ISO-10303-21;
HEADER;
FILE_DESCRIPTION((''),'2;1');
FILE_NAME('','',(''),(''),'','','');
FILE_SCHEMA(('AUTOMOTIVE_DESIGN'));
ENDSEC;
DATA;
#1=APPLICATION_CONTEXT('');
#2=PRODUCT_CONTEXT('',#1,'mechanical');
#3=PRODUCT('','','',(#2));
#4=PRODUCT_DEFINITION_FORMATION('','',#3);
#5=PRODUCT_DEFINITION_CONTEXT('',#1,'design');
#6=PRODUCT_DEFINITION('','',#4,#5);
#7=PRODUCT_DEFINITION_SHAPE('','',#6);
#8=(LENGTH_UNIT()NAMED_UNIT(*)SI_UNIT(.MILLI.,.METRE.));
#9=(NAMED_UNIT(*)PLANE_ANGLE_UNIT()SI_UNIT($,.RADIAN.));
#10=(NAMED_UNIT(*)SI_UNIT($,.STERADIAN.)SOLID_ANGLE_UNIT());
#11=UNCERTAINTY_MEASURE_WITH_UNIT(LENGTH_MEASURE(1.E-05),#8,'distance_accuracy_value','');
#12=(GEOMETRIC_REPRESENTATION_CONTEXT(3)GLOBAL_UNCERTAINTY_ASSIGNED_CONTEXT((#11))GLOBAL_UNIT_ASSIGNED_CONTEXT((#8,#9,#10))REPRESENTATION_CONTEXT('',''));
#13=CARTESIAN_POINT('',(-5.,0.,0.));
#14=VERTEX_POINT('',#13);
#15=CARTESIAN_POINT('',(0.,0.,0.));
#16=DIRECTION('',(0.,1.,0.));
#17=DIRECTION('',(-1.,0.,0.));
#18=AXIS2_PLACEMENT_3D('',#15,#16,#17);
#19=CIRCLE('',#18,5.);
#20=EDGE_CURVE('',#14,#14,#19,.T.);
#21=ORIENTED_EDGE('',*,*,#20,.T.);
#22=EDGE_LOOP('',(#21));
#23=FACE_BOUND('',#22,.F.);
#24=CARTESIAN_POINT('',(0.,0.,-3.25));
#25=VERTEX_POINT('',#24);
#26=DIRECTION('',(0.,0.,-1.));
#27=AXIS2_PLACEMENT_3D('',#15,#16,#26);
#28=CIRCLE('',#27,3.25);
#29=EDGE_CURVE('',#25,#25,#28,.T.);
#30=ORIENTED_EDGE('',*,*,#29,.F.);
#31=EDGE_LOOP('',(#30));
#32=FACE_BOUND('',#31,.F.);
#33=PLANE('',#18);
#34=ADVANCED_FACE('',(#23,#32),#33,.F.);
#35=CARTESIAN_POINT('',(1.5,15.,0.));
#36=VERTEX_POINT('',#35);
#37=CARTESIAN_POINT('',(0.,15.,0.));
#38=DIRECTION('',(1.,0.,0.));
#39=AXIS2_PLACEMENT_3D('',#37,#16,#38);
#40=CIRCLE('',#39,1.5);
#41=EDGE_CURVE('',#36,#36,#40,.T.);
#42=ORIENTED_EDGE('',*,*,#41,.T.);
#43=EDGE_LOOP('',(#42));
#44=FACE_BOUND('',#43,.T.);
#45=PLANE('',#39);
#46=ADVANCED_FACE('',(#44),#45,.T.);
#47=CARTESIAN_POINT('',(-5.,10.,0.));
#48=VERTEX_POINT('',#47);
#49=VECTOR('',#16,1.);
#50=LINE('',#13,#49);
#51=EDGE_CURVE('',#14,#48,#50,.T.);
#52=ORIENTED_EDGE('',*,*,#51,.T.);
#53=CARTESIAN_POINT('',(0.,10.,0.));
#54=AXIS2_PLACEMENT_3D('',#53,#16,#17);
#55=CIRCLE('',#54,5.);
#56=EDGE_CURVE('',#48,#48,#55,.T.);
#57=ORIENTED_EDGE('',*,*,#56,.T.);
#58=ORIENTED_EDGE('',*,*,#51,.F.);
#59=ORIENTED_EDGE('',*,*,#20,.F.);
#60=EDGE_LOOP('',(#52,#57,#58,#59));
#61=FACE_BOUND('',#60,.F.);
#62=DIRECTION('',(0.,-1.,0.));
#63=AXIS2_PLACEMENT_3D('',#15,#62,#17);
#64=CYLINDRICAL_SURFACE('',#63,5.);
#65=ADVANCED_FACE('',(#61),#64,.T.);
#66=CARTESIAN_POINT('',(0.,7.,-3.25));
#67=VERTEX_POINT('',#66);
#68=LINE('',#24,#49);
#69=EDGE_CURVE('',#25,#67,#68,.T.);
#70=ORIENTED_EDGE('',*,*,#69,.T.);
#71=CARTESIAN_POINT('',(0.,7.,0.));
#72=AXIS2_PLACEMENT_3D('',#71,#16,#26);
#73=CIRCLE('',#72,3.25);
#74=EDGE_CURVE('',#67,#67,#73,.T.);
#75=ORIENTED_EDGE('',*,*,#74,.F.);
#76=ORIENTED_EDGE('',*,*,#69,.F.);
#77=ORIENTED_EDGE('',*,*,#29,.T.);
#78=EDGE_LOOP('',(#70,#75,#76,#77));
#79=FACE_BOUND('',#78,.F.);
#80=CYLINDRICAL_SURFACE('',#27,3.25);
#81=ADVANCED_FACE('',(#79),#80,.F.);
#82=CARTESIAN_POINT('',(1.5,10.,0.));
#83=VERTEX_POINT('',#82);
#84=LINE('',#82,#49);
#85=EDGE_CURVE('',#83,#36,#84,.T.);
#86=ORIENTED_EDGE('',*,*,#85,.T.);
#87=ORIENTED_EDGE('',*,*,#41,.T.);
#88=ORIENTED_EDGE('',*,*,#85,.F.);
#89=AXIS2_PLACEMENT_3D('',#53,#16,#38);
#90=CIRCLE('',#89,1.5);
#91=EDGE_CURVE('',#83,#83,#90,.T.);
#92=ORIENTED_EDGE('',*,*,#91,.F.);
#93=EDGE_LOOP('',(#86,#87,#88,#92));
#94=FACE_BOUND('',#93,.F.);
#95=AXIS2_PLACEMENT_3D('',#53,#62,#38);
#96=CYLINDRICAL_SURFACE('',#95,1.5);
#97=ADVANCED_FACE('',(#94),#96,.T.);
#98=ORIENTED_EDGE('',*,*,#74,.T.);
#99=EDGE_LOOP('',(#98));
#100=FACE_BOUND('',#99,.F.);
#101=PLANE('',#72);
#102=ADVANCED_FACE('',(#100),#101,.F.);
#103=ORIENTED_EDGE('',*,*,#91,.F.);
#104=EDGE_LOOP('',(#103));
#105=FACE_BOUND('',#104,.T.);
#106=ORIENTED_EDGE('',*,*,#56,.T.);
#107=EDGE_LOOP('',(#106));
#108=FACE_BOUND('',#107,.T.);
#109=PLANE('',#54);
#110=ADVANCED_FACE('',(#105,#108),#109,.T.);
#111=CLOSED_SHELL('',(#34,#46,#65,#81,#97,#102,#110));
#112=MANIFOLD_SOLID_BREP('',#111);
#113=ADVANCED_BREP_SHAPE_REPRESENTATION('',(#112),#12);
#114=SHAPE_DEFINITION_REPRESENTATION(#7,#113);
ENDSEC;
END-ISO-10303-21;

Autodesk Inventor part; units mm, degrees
ref_plane "YZ Plane" through (0, 0, 0) normal (1, 0, 0) x (0, 1, 0)
ref_plane "XZ Plane" through (0, 0, 0) normal (0, 1, 0) x (-1, 0, 0)
ref_plane "XY Plane" through (0, 0, 0) normal (0, 0, 1) x (1, 0, 0)
sketch "Sketch1" plane through (0, 0, 0) normal (0, 1, 0) x (-1, 0, 0)
  circle A0 centre (0, 0) radius 5
  dimension "d0" = 10
extrude "Extrusion1" add sketch "Sketch1" along normal blind 10
sketch "Sketch2" plane through (0, 10, 0) normal (0, 1, 0) x (1, 0, 0)
  circle A0 centre (0, 0) radius 1.5
  dimension "d3" = 3
extrude "Extrusion2" add sketch "Sketch2" along normal blind 5
sketch "Sketch3" plane through (0, 0, 0) normal (0, -1, 0) x (1, 0, 0)
  circle A0 centre (0, 0) radius 3
  dimension "d6" = 6
hole "Hole1" at (0, 0, 0) direction (0, 1, 0) diameter 6.5 depth 7
properties part number "acople2"
